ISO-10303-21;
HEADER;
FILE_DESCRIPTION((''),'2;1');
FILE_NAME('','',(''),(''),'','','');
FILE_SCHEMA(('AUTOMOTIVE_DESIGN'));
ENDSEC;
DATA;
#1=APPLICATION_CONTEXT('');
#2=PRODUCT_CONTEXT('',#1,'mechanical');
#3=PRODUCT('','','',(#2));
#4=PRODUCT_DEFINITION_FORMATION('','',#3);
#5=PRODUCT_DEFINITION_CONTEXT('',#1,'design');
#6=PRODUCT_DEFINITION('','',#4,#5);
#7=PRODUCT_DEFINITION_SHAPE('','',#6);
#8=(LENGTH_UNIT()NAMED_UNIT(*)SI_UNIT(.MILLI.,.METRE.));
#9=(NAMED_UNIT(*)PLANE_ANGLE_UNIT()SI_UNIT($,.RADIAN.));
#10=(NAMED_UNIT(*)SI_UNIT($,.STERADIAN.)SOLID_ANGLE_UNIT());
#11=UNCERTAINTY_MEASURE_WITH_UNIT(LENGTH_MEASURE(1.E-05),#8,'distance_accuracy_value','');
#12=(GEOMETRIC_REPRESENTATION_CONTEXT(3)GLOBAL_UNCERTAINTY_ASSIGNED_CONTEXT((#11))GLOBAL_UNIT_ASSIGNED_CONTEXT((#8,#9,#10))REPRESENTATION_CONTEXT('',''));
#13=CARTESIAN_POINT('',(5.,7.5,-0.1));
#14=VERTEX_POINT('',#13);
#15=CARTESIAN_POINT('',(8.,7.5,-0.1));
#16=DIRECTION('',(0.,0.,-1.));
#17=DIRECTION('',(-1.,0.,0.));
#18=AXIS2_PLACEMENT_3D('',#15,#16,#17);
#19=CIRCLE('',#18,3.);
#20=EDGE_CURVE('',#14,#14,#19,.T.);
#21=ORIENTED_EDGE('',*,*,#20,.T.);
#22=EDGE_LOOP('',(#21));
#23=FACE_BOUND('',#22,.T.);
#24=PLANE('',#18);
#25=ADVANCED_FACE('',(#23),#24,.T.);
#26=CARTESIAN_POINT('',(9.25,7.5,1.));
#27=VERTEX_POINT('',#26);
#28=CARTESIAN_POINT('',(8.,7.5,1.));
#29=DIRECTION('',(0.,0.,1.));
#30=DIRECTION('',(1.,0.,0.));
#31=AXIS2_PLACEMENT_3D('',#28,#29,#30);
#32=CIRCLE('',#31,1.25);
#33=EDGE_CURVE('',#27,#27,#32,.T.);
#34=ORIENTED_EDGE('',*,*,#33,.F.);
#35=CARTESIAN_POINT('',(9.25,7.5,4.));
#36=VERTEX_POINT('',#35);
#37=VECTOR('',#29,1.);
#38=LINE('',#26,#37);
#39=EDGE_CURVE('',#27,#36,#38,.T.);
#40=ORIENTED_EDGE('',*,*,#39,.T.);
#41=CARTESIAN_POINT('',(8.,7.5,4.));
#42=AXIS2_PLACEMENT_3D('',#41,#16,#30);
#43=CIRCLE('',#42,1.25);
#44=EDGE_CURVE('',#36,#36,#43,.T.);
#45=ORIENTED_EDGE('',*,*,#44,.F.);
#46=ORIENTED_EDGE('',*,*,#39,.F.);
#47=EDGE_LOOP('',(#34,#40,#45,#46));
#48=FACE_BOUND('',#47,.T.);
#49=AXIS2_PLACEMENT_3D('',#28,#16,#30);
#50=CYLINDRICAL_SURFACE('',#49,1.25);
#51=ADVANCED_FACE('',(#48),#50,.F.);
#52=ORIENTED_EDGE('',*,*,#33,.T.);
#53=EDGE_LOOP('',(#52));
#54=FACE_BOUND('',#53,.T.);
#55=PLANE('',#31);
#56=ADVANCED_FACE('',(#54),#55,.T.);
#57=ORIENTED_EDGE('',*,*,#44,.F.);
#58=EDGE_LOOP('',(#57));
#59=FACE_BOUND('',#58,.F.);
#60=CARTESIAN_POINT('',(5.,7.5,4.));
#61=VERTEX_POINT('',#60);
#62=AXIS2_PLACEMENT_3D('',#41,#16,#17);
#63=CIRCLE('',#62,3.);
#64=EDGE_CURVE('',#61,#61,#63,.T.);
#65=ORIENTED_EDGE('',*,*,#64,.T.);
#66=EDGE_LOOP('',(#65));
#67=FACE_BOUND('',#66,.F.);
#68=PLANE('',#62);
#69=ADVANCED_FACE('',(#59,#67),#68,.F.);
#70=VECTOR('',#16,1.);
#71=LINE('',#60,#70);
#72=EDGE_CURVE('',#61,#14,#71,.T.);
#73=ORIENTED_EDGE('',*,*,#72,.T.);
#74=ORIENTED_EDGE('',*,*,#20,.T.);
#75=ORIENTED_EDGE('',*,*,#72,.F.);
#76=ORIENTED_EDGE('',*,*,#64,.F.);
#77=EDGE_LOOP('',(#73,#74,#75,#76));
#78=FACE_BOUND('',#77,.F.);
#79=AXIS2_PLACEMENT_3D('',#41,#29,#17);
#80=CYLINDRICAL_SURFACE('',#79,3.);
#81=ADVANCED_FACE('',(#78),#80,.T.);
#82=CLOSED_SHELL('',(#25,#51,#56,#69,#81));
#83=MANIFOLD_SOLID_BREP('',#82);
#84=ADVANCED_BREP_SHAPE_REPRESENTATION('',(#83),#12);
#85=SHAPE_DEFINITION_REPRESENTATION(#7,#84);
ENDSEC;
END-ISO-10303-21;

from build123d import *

# Parameters (mm, degrees)
CYLINDER076_R          = 1.25
CYLINDER076_DEPTH      = 5
CYLINDER077_R          = 3
CYLINDER077_DEPTH      = 4.1
CUT039_PLACEMENT_ANGLE = 90


with BuildPart() as b_w016:
    # Cylinder076 → Cylinder076 (new body)
    with BuildSketch(Plane(origin=(2, 6, 26), x_dir=(0, 0, 1), z_dir=(-1, 0, 0))):
        Circle(CYLINDER076_R)
    extrude(amount=CYLINDER076_DEPTH)


with BuildPart() as h_sw:
    # Cylinder077 → Cylinder077 (new body)
    with BuildSketch(Plane(origin=(-1, 6, 26), x_dir=(0, 0, -1), z_dir=(1, 0, 0))):
        Circle(CYLINDER077_R)
    extrude(amount=CYLINDER077_DEPTH)

    # Cut039: cut B_W016
    add(b_w016.part, mode=Mode.SUBTRACT)


with BuildPart() as h_sw_1:
    # Cut039 placement: moved
    add(h_sw.part.moved(Location((-18, 1.5, 3))).rotate(Axis((-18, 1.5, 3), (0, 1, 0)), CUT039_PLACEMENT_ANGLE))


solid = h_sw_1.part
